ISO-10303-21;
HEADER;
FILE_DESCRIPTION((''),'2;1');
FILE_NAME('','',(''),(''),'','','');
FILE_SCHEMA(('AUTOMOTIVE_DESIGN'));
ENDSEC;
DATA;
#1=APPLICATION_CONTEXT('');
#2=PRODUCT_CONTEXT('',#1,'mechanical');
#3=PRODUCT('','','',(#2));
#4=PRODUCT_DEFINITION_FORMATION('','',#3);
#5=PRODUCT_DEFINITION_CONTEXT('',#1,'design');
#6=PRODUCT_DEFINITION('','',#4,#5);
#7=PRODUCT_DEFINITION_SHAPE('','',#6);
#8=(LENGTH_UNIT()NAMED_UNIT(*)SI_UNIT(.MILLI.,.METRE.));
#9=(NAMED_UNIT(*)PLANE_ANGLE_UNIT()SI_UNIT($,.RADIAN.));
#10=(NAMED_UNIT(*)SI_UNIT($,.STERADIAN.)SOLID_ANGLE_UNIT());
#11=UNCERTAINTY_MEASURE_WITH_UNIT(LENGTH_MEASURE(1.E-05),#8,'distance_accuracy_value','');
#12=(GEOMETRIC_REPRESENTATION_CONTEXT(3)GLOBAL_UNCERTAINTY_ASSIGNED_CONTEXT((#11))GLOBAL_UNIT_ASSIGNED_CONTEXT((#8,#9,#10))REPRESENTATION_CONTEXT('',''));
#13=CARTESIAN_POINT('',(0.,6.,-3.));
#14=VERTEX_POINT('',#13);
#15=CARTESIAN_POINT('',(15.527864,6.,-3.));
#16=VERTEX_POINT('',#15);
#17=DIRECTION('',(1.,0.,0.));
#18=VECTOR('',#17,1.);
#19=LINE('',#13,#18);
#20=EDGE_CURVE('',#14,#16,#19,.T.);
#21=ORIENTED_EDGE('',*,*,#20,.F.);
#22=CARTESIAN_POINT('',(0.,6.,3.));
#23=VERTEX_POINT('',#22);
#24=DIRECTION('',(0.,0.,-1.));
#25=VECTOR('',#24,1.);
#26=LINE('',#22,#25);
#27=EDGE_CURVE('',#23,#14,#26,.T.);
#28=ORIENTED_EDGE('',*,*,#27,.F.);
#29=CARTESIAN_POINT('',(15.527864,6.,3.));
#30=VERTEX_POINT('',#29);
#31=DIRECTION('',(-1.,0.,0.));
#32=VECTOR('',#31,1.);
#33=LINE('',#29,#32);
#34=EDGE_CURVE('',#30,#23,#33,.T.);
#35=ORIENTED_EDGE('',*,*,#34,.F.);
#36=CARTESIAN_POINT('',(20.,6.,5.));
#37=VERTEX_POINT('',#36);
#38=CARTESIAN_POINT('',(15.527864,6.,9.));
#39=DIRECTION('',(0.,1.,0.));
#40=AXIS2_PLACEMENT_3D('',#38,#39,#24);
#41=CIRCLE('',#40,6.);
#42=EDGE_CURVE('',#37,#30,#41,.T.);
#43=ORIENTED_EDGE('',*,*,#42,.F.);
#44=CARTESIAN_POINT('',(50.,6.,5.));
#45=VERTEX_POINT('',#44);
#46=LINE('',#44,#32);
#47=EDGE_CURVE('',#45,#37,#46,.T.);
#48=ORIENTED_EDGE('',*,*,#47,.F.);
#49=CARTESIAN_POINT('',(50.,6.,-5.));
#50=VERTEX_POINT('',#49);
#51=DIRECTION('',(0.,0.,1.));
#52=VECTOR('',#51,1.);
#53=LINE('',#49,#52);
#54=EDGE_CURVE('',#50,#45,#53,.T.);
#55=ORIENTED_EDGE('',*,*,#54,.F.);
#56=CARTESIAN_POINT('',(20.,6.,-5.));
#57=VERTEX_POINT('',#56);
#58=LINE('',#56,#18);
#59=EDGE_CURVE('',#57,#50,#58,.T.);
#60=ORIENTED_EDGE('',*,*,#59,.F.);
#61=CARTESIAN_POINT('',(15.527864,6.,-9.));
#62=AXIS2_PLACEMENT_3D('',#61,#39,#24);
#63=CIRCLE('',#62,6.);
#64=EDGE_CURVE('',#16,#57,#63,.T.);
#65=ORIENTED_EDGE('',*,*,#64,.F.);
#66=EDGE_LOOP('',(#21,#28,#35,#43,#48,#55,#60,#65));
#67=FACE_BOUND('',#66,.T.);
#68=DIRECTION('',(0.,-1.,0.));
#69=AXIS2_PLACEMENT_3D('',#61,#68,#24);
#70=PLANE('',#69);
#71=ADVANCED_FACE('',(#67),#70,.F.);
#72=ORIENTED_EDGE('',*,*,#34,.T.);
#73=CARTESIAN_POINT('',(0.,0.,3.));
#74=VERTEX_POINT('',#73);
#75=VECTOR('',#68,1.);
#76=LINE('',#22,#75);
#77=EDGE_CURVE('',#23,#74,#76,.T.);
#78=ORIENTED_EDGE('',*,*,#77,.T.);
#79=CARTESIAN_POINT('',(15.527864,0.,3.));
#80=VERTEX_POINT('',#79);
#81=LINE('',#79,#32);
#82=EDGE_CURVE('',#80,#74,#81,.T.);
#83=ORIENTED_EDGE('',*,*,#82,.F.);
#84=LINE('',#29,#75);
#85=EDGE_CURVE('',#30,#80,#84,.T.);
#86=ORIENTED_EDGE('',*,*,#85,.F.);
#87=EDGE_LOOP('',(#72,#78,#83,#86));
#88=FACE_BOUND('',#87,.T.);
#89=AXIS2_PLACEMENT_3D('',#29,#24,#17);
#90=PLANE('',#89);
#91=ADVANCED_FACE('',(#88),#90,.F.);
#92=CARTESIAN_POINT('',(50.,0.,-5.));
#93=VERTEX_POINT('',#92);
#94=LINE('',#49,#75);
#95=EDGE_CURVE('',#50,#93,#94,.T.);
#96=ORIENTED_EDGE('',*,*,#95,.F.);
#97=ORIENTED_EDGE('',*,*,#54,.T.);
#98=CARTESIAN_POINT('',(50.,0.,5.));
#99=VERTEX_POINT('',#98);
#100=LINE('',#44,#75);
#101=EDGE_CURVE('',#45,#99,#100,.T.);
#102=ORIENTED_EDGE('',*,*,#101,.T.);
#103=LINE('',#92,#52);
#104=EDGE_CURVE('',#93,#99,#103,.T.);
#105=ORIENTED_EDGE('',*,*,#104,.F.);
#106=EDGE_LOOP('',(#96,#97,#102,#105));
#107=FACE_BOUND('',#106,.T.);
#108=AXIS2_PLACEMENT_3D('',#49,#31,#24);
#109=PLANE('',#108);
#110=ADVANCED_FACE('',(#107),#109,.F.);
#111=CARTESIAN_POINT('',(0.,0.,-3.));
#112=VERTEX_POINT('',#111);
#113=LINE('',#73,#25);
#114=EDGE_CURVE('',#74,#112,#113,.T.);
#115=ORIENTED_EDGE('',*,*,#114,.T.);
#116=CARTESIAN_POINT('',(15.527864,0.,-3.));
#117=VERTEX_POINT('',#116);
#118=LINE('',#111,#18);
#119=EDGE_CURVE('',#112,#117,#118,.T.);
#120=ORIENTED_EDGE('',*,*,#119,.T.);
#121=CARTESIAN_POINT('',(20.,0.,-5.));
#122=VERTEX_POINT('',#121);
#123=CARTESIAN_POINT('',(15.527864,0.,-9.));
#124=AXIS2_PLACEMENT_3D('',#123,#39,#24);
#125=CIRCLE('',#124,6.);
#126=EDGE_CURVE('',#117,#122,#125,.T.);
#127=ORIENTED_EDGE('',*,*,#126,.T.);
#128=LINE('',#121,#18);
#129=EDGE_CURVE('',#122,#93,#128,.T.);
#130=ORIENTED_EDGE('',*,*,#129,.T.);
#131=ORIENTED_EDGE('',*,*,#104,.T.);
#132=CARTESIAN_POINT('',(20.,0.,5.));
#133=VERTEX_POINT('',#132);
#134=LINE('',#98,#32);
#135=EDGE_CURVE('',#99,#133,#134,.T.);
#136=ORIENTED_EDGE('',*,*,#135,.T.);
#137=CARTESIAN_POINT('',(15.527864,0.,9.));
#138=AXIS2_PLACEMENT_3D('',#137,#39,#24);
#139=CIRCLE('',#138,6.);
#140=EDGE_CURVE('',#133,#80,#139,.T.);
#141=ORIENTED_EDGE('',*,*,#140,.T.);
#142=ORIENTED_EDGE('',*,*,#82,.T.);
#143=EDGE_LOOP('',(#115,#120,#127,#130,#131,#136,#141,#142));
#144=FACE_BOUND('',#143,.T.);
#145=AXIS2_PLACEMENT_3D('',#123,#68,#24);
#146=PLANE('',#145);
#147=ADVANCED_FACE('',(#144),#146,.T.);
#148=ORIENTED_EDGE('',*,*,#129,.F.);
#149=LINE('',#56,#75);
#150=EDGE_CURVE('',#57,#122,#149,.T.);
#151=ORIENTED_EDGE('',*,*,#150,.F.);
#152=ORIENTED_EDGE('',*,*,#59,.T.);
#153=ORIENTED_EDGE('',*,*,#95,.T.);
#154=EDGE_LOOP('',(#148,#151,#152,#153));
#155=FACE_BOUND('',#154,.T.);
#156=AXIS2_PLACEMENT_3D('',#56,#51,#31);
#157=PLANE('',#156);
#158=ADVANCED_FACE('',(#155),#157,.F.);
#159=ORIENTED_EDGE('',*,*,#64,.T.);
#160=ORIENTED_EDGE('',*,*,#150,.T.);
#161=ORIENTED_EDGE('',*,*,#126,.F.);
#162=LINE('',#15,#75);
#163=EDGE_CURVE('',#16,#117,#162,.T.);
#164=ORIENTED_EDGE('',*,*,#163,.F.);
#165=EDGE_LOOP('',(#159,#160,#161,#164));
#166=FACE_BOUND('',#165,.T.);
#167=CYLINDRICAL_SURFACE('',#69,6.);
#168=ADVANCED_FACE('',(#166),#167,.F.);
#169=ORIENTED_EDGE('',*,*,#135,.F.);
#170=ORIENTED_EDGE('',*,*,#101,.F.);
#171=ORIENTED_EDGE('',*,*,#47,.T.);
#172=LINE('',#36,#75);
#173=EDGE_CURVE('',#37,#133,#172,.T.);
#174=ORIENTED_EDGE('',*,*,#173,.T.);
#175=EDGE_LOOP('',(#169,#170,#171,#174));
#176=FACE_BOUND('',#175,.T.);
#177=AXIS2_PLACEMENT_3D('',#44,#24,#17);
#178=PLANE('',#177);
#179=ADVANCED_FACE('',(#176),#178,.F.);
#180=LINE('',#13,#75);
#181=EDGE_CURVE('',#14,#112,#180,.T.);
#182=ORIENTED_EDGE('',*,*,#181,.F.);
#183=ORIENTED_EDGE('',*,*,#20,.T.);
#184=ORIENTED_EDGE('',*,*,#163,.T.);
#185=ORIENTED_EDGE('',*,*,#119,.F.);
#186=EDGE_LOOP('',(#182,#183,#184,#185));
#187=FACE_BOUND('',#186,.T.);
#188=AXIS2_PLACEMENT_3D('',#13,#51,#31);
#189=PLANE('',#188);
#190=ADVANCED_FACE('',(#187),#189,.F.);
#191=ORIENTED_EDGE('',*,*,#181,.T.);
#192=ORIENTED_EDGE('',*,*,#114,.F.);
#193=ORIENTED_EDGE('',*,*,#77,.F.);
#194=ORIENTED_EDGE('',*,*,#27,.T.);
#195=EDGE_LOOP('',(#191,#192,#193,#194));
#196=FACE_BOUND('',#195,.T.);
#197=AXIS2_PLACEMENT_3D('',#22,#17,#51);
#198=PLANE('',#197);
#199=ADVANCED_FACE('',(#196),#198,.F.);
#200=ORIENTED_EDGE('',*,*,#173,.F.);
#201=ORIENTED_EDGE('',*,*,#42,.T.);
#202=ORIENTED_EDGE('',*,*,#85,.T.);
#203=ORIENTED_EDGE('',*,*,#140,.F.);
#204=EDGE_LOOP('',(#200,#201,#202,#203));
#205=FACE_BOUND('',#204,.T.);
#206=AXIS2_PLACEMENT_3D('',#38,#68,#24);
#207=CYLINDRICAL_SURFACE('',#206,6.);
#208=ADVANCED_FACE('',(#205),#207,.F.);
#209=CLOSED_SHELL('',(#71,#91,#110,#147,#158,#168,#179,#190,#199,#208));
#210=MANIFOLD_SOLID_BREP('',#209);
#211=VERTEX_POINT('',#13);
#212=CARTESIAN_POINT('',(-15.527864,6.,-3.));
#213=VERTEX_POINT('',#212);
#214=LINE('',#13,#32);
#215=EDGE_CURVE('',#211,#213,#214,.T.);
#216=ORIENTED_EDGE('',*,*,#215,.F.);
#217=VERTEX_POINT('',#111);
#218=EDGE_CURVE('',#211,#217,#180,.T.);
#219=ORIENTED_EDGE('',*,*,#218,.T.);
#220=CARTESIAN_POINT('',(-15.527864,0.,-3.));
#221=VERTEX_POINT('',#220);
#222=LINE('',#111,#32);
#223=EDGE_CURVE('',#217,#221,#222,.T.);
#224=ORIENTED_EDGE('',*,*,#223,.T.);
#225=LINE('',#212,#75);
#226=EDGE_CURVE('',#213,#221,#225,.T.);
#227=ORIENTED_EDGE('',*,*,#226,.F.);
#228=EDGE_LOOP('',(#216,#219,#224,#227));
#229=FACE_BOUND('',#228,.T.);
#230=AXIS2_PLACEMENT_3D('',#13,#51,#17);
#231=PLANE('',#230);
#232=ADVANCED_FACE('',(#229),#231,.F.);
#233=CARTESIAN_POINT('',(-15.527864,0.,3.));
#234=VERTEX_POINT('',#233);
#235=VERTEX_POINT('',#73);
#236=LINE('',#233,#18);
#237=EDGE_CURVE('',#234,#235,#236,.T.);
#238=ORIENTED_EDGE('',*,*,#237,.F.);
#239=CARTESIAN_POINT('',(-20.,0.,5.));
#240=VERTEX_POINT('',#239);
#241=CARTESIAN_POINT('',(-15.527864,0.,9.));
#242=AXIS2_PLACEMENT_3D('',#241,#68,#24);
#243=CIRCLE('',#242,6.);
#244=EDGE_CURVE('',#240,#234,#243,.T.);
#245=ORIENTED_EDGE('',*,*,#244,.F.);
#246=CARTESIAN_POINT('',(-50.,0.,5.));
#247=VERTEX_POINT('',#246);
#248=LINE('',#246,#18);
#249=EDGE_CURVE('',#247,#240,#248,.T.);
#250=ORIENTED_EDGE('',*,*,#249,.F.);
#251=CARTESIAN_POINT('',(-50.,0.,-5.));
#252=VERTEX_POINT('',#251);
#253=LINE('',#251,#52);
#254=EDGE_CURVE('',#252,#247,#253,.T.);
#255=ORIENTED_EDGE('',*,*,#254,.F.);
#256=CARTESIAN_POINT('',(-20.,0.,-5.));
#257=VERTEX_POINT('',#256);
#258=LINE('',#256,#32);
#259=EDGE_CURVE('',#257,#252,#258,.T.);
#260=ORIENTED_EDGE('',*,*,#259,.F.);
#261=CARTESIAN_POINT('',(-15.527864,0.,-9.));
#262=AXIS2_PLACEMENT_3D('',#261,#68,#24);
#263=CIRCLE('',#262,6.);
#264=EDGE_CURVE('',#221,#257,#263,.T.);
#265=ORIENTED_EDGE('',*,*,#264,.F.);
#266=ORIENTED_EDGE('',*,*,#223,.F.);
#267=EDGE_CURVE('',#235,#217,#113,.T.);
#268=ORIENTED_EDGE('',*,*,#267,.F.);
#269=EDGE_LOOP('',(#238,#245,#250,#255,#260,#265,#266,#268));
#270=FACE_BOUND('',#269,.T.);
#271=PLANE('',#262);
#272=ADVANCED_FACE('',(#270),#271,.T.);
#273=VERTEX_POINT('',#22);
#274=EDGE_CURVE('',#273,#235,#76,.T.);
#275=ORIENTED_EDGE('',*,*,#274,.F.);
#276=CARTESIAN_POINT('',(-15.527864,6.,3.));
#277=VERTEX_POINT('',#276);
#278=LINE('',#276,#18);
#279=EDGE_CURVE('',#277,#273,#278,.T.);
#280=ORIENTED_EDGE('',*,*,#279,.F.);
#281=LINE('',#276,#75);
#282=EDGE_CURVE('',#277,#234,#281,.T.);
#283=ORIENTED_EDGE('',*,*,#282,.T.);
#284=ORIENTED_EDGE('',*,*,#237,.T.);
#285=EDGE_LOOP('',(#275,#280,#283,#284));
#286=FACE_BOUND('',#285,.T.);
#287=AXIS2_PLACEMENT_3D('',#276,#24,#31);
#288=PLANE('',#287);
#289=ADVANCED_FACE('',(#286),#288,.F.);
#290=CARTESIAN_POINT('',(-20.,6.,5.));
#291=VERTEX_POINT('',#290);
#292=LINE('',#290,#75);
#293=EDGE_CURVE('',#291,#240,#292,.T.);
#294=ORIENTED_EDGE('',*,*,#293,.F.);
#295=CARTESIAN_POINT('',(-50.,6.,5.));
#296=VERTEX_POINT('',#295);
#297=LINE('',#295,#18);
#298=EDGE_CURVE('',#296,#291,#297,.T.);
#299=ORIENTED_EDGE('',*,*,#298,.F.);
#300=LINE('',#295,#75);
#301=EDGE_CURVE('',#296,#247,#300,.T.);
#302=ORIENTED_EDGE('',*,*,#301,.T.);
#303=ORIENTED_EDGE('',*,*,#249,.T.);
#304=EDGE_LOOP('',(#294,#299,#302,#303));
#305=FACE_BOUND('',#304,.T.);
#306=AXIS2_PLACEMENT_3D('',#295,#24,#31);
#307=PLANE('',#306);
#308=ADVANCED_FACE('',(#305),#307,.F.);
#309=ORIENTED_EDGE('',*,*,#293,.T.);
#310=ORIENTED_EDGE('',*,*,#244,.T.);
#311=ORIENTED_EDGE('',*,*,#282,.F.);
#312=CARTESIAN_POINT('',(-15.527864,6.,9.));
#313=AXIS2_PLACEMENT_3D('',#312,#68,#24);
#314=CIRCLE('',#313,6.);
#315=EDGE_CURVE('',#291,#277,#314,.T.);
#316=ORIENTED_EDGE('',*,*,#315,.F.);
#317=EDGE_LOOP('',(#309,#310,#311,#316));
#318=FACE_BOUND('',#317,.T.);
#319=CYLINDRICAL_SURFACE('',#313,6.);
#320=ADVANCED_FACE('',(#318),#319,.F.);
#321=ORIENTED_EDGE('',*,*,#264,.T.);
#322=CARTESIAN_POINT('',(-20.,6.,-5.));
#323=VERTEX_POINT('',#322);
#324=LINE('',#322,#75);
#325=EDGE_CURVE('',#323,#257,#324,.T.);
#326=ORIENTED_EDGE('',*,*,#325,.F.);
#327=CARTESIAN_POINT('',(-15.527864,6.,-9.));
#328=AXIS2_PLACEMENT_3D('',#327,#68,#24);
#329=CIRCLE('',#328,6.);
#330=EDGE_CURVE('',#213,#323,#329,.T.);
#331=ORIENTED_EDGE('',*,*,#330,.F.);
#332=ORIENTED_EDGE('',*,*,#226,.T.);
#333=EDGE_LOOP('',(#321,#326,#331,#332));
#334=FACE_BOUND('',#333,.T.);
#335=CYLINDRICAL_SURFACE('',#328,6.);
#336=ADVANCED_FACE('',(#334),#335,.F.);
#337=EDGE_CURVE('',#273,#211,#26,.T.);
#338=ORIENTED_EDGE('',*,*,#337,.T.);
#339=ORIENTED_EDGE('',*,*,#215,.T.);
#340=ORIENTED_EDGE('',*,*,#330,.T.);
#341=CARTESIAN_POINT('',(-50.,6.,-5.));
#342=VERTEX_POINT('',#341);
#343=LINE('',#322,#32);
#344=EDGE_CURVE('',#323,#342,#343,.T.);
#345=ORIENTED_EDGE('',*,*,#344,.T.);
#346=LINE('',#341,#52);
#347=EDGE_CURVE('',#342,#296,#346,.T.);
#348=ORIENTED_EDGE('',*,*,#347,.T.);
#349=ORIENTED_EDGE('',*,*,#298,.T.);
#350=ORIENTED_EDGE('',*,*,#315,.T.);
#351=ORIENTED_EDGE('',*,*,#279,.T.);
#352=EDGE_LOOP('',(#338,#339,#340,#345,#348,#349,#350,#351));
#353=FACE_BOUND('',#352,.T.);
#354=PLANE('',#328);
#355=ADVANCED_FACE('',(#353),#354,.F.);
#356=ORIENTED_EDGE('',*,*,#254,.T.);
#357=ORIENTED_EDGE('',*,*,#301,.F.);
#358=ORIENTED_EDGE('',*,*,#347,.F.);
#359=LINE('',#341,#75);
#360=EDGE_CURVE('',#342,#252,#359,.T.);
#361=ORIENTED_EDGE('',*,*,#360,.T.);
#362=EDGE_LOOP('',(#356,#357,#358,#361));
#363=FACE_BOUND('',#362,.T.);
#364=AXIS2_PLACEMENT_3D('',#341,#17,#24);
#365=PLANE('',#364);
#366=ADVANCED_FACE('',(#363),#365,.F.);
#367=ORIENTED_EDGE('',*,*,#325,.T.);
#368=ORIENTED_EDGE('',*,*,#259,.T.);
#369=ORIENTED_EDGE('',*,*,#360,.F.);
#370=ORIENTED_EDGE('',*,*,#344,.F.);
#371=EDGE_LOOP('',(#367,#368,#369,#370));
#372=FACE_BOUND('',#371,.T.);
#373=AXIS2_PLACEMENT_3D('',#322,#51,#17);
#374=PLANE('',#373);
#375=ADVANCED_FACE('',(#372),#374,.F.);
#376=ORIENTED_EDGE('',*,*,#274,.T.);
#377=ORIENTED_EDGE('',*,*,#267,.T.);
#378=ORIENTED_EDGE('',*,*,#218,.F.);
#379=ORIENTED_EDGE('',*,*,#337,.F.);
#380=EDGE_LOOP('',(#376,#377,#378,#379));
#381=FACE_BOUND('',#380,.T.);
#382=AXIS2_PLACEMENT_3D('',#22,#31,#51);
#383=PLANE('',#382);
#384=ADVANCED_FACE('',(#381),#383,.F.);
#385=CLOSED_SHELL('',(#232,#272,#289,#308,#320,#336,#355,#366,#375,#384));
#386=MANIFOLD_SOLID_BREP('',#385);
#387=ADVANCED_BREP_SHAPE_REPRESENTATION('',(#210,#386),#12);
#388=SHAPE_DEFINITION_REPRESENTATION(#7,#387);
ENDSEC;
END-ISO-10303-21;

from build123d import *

# Parameters (mm, degrees)
BOSS_EXTRUDE1_DEPTH = 6


with BuildPart() as part:
    # Sketch1 → Boss-Extrude1 (new body)
    with BuildSketch(Plane(origin=(0, 0, 0), x_dir=(1, 0, 0), z_dir=(0, 1, 0))):
        with BuildLine():
            Line((0, -3), (0, 3))
            Line((0, 3), (-15.527864045, 3))
            ThreePointArc((-15.527864045, 3), (-17.977353788, 3.522774425), (-20, 5))
            Line((-20, 5), (-50, 5))
            Line((-50, 5), (-50, -5))
            Line((-50, -5), (-20, -5))
            ThreePointArc((-20, -5), (-17.977353788, -3.522774425), (-15.527864045, -3))
            Line((-15.527864045, -3), (0, -3))
        make_face()
    extrude(amount=BOSS_EXTRUDE1_DEPTH)


with BuildPart() as body_2:
    # Mirror1: mirrored copy
    add(part.part.mirror(Plane(origin=(0, 0, 0), x_dir=(0, 0, 1), z_dir=(1, 0, 0))))


solid = Compound([part.part, body_2.part])
